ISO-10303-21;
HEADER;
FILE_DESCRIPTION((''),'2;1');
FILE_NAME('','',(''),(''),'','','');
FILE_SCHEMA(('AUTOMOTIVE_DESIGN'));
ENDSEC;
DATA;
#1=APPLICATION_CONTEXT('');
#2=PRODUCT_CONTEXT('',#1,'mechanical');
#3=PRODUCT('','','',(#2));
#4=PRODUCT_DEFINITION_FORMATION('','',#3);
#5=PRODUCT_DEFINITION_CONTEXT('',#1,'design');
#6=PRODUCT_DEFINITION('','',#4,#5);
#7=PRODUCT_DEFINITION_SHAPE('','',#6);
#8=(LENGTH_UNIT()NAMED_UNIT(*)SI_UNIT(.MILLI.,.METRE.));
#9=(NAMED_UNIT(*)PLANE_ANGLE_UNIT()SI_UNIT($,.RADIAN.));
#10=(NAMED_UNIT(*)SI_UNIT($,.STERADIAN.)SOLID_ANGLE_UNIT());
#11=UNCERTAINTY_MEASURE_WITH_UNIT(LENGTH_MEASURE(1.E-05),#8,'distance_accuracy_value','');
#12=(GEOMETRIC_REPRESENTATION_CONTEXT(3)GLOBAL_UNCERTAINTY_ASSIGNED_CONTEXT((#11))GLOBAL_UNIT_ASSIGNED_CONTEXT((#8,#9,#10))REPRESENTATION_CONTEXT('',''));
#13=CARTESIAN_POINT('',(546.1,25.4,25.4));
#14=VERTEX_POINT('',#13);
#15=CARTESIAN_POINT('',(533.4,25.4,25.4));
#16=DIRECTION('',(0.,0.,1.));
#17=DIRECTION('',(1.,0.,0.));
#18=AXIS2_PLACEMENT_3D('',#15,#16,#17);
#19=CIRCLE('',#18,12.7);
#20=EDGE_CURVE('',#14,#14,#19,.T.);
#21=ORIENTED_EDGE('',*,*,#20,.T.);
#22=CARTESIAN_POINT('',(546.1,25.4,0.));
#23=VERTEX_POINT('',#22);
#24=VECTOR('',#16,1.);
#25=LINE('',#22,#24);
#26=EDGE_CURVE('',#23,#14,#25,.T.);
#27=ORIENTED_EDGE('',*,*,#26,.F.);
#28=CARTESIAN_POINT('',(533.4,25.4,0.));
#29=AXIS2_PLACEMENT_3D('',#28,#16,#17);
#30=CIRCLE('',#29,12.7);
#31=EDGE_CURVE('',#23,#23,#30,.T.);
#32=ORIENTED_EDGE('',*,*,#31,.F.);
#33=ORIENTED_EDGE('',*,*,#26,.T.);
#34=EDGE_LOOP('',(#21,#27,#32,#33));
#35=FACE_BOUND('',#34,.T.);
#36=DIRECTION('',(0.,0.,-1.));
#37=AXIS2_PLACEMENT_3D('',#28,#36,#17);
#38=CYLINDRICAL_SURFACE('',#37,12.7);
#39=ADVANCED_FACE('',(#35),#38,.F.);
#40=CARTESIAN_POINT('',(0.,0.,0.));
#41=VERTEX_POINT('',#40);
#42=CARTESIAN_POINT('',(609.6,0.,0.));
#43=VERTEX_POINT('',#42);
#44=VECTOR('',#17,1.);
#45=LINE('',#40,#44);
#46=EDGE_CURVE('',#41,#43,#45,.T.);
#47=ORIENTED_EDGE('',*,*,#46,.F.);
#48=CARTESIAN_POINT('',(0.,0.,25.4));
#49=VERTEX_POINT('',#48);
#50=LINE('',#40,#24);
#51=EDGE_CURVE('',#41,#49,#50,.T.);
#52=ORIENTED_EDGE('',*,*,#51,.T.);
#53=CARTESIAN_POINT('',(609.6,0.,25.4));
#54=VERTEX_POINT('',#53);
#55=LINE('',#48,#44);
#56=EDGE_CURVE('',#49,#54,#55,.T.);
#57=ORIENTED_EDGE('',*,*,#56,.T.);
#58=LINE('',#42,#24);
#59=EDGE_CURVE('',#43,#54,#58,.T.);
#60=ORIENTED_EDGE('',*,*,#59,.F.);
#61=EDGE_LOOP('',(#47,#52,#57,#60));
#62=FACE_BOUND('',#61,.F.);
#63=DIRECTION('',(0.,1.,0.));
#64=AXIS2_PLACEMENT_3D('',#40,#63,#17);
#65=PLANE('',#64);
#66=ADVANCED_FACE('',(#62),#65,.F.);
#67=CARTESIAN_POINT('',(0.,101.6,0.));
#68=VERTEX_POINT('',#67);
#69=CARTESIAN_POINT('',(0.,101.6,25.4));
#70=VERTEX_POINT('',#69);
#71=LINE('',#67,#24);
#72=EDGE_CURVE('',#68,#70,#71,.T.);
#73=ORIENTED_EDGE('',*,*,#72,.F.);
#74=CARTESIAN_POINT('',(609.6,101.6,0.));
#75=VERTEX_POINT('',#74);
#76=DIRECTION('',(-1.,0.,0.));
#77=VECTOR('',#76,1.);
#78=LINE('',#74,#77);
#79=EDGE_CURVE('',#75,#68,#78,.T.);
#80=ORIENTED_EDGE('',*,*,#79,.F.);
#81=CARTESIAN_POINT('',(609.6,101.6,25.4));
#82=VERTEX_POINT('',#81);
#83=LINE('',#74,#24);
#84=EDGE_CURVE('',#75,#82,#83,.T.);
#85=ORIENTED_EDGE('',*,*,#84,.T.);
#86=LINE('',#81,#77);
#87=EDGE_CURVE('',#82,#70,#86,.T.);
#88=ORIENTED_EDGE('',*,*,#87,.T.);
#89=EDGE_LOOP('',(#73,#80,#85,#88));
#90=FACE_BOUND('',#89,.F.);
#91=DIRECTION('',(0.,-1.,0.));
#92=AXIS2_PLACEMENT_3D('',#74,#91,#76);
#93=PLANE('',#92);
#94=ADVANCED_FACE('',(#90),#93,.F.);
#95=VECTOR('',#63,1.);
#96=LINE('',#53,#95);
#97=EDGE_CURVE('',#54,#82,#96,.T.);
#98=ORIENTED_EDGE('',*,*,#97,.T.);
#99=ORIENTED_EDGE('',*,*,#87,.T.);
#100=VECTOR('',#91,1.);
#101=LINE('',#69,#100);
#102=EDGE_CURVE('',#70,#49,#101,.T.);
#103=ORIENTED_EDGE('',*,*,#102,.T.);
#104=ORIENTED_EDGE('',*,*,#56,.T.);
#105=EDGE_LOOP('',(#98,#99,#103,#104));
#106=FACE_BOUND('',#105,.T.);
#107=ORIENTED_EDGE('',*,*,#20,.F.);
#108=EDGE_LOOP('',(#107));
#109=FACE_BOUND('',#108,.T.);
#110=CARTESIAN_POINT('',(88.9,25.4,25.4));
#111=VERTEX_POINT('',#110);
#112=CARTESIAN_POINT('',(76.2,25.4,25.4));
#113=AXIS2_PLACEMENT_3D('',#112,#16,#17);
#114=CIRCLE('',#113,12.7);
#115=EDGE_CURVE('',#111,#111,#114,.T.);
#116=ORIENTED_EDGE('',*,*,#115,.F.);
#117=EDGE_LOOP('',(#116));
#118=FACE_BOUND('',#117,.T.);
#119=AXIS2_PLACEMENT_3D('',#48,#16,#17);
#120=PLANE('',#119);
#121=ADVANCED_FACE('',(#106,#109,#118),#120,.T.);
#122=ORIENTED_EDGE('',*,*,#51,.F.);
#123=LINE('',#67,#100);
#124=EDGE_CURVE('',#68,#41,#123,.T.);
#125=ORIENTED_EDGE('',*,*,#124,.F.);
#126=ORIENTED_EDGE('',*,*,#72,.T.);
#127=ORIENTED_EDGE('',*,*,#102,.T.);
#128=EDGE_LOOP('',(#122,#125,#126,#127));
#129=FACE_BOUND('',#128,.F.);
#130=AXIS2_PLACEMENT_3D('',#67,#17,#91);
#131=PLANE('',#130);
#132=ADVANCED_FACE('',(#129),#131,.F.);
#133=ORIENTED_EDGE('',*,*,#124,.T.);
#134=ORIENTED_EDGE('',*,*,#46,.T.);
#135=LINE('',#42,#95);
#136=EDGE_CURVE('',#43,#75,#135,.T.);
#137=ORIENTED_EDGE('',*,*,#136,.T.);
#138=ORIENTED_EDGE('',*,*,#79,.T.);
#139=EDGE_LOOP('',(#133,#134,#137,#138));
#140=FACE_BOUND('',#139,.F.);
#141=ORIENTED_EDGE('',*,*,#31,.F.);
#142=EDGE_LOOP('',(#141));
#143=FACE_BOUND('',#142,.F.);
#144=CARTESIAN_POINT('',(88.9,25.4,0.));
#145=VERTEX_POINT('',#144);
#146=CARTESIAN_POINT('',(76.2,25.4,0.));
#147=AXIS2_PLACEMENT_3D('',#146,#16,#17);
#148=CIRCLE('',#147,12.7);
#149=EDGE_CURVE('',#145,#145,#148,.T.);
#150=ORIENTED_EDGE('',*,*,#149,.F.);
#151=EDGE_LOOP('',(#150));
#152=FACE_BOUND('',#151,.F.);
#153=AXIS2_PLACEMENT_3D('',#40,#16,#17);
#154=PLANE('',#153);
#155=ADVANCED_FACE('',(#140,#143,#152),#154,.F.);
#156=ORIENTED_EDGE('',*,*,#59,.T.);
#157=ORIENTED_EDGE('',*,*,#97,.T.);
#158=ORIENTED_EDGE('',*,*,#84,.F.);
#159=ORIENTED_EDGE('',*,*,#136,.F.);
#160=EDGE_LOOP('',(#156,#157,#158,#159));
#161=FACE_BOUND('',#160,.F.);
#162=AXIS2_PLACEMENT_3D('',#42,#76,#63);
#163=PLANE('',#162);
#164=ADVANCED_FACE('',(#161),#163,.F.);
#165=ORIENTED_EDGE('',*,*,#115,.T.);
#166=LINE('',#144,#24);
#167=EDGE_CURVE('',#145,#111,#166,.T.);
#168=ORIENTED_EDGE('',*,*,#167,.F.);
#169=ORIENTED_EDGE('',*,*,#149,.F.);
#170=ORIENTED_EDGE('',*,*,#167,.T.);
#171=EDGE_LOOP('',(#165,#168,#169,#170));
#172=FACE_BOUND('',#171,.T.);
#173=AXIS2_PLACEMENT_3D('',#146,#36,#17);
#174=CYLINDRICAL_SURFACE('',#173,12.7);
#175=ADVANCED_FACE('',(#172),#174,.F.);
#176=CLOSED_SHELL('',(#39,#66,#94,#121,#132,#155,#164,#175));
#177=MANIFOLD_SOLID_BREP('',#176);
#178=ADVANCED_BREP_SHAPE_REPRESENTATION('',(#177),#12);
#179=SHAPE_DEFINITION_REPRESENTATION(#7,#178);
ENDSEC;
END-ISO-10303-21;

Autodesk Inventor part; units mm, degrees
ref_plane "YZ Plane" through (0, 0, 0) normal (1, 0, 0) x (0, 1, 0)
ref_plane "XZ Plane" through (0, 0, 0) normal (0, 1, 0) x (-1, 0, 0)
ref_plane "XY Plane" through (0, 0, 0) normal (0, 0, 1) x (1, 0, 0)
sketch "Sketch1" plane through (0, 0, 0) normal (0, 0, 1) x (1, 0, 0)
  line L0 (0, 0) -> (609.6, 0)
  line L1 (609.6, 0) -> (609.6, 101.6)
  line L2 (609.6, 101.6) -> (0, 101.6)
  line L3 (0, 101.6) -> (0, 0)
  circle A0 centre (76.2, 25.4) radius 12.7
  circle A1 centre (533.4, 25.4) radius 12.7
  dimension "d0" = 609.6
  dimension "d1" = 101.6
  dimension "d2" = 25.4
  dimension "d3" = 25.4
  dimension "d4" = 76.2
  dimension "d5" = 76.2
  dimension "d6" = 25.4
extrude "Extrusion1" add sketch "Sketch1" along normal blind 25.4
properties part number "Testblock"
